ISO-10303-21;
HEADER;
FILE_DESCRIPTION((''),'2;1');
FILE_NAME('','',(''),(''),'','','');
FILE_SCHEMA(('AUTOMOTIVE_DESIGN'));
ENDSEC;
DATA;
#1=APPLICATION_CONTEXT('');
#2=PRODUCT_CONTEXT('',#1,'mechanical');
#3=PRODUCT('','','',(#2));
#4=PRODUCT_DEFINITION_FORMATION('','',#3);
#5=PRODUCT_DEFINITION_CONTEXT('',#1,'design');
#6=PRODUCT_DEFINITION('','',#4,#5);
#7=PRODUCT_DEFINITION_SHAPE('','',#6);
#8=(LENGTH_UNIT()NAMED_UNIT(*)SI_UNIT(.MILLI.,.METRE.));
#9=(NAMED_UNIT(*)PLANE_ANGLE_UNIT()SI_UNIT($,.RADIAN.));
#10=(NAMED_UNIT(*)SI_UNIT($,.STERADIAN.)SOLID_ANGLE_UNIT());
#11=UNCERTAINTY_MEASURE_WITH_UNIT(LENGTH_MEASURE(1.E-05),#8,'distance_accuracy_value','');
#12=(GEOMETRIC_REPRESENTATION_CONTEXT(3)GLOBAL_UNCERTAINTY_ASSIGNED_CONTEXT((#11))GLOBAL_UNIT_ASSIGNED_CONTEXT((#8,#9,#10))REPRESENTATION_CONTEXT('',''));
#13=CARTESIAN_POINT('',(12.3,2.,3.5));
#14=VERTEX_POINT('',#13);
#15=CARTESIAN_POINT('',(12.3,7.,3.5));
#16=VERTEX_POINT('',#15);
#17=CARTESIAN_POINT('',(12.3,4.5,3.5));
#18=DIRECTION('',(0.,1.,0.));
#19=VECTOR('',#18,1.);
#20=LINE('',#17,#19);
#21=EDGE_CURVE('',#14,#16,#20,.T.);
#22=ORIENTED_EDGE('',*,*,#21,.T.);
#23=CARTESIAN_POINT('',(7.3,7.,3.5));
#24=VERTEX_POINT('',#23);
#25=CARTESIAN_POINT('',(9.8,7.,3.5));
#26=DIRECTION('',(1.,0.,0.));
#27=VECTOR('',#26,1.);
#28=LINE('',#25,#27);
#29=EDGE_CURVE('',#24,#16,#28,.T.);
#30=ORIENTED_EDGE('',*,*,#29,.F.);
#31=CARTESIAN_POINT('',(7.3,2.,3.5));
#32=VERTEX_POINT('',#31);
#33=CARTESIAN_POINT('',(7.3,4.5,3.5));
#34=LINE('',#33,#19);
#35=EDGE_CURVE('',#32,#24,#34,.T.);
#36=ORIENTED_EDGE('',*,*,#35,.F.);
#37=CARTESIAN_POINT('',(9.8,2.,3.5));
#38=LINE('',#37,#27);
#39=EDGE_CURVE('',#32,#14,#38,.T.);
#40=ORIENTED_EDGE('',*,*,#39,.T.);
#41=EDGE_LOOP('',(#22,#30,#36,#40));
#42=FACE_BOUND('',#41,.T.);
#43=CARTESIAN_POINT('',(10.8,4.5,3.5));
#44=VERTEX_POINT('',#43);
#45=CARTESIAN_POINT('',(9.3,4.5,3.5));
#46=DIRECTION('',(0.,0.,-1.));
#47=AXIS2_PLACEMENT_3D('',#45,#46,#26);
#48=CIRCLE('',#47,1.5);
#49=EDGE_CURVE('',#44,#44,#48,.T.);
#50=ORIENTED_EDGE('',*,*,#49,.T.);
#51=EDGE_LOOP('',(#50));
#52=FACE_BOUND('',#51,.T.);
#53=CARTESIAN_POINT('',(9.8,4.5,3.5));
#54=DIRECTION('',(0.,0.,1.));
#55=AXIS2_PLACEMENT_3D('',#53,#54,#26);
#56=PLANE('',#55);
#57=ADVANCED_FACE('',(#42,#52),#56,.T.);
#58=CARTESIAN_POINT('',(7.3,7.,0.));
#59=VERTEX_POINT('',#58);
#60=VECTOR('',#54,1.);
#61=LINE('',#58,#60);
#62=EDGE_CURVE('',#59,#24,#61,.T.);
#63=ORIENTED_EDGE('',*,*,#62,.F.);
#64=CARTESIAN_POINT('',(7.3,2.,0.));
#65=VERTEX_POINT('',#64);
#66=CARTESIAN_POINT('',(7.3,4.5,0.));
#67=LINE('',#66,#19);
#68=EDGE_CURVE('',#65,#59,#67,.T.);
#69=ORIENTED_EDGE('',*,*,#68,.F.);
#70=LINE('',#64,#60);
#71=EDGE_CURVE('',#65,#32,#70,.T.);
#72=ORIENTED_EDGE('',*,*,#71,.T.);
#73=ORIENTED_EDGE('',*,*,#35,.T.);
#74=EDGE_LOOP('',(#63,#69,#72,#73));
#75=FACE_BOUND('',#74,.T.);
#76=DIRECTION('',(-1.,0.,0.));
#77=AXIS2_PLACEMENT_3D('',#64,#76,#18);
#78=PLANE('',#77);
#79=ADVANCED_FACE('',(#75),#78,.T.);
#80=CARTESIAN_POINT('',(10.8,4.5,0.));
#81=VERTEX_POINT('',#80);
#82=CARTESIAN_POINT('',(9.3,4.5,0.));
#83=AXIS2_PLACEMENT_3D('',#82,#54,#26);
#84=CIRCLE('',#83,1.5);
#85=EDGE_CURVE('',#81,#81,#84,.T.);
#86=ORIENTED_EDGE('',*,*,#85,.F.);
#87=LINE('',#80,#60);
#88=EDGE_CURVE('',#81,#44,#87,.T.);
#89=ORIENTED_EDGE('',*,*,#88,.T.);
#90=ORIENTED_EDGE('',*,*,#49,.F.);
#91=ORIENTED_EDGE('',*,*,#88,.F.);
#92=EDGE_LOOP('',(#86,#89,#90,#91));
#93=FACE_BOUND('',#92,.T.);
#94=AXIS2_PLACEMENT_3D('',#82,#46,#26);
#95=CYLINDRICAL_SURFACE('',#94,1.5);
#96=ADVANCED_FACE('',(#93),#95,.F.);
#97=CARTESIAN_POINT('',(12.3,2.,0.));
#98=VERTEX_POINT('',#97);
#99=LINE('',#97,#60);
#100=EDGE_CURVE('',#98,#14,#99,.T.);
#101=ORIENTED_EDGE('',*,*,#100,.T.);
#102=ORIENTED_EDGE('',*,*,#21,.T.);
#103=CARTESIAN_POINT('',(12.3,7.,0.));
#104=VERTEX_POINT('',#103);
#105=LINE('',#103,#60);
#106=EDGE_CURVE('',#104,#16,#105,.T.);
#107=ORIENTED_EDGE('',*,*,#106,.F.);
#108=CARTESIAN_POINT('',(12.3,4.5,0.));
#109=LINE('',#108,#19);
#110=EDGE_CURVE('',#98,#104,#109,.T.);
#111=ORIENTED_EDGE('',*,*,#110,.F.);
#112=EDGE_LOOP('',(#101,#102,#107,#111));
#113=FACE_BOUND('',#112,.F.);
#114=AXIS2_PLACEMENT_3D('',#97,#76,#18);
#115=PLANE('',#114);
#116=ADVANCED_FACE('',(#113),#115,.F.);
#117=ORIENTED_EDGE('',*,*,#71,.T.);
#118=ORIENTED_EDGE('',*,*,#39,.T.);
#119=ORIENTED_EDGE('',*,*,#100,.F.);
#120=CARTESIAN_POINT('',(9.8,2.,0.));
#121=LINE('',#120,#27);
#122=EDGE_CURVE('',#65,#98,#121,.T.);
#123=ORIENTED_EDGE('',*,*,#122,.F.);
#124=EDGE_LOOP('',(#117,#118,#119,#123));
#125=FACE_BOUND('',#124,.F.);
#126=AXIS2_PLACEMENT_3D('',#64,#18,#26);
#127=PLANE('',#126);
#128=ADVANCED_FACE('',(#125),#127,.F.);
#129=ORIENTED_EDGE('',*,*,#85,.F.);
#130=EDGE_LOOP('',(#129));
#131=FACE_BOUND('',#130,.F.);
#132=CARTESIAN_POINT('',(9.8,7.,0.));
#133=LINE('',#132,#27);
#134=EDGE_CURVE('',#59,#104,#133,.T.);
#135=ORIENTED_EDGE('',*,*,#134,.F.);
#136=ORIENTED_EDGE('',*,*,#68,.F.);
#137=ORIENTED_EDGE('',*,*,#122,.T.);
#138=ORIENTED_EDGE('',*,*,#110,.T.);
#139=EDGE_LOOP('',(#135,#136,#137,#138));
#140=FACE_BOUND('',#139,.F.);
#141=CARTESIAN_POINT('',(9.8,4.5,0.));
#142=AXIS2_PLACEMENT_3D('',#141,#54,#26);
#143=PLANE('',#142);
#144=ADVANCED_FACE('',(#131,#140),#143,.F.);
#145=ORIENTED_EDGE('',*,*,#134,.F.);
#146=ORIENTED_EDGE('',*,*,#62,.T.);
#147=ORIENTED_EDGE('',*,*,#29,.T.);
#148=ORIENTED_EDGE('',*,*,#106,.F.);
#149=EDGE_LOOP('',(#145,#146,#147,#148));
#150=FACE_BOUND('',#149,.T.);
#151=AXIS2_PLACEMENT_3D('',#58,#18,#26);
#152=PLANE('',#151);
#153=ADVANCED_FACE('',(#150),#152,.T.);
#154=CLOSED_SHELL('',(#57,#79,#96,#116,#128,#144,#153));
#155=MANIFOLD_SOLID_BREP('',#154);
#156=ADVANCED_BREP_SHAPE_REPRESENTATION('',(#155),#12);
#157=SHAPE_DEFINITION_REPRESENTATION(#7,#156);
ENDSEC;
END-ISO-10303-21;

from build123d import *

# Parameters (mm, degrees)
CYLINDER_R     = 1.5
CYLINDER_DEPTH = 10
BOX008_W       = 5
BOX008_H       = 5
BOX008_DEPTH   = 3.5


with BuildPart() as hole:
    # Cylinder → Cylinder (new body)
    with BuildSketch(Plane(origin=(9.3, 4.5, 0), x_dir=(1, 0, 0), z_dir=(0, 0, 1))):
        Circle(CYLINDER_R)
    extrude(amount=CYLINDER_DEPTH)


with BuildPart() as stand_hole_cut:
    # Box008 → Box008 (new body)
    with BuildSketch(Plane(origin=(7.3, 2, 0), x_dir=(1, 0, 0), z_dir=(0, 0, 1))):
        with Locations((2.5, 2.5)):
            Rectangle(BOX008_W, BOX008_H)
    extrude(amount=BOX008_DEPTH)

    # Cut003002: cut hole
    add(hole.part, mode=Mode.SUBTRACT)


solid = stand_hole_cut.part
